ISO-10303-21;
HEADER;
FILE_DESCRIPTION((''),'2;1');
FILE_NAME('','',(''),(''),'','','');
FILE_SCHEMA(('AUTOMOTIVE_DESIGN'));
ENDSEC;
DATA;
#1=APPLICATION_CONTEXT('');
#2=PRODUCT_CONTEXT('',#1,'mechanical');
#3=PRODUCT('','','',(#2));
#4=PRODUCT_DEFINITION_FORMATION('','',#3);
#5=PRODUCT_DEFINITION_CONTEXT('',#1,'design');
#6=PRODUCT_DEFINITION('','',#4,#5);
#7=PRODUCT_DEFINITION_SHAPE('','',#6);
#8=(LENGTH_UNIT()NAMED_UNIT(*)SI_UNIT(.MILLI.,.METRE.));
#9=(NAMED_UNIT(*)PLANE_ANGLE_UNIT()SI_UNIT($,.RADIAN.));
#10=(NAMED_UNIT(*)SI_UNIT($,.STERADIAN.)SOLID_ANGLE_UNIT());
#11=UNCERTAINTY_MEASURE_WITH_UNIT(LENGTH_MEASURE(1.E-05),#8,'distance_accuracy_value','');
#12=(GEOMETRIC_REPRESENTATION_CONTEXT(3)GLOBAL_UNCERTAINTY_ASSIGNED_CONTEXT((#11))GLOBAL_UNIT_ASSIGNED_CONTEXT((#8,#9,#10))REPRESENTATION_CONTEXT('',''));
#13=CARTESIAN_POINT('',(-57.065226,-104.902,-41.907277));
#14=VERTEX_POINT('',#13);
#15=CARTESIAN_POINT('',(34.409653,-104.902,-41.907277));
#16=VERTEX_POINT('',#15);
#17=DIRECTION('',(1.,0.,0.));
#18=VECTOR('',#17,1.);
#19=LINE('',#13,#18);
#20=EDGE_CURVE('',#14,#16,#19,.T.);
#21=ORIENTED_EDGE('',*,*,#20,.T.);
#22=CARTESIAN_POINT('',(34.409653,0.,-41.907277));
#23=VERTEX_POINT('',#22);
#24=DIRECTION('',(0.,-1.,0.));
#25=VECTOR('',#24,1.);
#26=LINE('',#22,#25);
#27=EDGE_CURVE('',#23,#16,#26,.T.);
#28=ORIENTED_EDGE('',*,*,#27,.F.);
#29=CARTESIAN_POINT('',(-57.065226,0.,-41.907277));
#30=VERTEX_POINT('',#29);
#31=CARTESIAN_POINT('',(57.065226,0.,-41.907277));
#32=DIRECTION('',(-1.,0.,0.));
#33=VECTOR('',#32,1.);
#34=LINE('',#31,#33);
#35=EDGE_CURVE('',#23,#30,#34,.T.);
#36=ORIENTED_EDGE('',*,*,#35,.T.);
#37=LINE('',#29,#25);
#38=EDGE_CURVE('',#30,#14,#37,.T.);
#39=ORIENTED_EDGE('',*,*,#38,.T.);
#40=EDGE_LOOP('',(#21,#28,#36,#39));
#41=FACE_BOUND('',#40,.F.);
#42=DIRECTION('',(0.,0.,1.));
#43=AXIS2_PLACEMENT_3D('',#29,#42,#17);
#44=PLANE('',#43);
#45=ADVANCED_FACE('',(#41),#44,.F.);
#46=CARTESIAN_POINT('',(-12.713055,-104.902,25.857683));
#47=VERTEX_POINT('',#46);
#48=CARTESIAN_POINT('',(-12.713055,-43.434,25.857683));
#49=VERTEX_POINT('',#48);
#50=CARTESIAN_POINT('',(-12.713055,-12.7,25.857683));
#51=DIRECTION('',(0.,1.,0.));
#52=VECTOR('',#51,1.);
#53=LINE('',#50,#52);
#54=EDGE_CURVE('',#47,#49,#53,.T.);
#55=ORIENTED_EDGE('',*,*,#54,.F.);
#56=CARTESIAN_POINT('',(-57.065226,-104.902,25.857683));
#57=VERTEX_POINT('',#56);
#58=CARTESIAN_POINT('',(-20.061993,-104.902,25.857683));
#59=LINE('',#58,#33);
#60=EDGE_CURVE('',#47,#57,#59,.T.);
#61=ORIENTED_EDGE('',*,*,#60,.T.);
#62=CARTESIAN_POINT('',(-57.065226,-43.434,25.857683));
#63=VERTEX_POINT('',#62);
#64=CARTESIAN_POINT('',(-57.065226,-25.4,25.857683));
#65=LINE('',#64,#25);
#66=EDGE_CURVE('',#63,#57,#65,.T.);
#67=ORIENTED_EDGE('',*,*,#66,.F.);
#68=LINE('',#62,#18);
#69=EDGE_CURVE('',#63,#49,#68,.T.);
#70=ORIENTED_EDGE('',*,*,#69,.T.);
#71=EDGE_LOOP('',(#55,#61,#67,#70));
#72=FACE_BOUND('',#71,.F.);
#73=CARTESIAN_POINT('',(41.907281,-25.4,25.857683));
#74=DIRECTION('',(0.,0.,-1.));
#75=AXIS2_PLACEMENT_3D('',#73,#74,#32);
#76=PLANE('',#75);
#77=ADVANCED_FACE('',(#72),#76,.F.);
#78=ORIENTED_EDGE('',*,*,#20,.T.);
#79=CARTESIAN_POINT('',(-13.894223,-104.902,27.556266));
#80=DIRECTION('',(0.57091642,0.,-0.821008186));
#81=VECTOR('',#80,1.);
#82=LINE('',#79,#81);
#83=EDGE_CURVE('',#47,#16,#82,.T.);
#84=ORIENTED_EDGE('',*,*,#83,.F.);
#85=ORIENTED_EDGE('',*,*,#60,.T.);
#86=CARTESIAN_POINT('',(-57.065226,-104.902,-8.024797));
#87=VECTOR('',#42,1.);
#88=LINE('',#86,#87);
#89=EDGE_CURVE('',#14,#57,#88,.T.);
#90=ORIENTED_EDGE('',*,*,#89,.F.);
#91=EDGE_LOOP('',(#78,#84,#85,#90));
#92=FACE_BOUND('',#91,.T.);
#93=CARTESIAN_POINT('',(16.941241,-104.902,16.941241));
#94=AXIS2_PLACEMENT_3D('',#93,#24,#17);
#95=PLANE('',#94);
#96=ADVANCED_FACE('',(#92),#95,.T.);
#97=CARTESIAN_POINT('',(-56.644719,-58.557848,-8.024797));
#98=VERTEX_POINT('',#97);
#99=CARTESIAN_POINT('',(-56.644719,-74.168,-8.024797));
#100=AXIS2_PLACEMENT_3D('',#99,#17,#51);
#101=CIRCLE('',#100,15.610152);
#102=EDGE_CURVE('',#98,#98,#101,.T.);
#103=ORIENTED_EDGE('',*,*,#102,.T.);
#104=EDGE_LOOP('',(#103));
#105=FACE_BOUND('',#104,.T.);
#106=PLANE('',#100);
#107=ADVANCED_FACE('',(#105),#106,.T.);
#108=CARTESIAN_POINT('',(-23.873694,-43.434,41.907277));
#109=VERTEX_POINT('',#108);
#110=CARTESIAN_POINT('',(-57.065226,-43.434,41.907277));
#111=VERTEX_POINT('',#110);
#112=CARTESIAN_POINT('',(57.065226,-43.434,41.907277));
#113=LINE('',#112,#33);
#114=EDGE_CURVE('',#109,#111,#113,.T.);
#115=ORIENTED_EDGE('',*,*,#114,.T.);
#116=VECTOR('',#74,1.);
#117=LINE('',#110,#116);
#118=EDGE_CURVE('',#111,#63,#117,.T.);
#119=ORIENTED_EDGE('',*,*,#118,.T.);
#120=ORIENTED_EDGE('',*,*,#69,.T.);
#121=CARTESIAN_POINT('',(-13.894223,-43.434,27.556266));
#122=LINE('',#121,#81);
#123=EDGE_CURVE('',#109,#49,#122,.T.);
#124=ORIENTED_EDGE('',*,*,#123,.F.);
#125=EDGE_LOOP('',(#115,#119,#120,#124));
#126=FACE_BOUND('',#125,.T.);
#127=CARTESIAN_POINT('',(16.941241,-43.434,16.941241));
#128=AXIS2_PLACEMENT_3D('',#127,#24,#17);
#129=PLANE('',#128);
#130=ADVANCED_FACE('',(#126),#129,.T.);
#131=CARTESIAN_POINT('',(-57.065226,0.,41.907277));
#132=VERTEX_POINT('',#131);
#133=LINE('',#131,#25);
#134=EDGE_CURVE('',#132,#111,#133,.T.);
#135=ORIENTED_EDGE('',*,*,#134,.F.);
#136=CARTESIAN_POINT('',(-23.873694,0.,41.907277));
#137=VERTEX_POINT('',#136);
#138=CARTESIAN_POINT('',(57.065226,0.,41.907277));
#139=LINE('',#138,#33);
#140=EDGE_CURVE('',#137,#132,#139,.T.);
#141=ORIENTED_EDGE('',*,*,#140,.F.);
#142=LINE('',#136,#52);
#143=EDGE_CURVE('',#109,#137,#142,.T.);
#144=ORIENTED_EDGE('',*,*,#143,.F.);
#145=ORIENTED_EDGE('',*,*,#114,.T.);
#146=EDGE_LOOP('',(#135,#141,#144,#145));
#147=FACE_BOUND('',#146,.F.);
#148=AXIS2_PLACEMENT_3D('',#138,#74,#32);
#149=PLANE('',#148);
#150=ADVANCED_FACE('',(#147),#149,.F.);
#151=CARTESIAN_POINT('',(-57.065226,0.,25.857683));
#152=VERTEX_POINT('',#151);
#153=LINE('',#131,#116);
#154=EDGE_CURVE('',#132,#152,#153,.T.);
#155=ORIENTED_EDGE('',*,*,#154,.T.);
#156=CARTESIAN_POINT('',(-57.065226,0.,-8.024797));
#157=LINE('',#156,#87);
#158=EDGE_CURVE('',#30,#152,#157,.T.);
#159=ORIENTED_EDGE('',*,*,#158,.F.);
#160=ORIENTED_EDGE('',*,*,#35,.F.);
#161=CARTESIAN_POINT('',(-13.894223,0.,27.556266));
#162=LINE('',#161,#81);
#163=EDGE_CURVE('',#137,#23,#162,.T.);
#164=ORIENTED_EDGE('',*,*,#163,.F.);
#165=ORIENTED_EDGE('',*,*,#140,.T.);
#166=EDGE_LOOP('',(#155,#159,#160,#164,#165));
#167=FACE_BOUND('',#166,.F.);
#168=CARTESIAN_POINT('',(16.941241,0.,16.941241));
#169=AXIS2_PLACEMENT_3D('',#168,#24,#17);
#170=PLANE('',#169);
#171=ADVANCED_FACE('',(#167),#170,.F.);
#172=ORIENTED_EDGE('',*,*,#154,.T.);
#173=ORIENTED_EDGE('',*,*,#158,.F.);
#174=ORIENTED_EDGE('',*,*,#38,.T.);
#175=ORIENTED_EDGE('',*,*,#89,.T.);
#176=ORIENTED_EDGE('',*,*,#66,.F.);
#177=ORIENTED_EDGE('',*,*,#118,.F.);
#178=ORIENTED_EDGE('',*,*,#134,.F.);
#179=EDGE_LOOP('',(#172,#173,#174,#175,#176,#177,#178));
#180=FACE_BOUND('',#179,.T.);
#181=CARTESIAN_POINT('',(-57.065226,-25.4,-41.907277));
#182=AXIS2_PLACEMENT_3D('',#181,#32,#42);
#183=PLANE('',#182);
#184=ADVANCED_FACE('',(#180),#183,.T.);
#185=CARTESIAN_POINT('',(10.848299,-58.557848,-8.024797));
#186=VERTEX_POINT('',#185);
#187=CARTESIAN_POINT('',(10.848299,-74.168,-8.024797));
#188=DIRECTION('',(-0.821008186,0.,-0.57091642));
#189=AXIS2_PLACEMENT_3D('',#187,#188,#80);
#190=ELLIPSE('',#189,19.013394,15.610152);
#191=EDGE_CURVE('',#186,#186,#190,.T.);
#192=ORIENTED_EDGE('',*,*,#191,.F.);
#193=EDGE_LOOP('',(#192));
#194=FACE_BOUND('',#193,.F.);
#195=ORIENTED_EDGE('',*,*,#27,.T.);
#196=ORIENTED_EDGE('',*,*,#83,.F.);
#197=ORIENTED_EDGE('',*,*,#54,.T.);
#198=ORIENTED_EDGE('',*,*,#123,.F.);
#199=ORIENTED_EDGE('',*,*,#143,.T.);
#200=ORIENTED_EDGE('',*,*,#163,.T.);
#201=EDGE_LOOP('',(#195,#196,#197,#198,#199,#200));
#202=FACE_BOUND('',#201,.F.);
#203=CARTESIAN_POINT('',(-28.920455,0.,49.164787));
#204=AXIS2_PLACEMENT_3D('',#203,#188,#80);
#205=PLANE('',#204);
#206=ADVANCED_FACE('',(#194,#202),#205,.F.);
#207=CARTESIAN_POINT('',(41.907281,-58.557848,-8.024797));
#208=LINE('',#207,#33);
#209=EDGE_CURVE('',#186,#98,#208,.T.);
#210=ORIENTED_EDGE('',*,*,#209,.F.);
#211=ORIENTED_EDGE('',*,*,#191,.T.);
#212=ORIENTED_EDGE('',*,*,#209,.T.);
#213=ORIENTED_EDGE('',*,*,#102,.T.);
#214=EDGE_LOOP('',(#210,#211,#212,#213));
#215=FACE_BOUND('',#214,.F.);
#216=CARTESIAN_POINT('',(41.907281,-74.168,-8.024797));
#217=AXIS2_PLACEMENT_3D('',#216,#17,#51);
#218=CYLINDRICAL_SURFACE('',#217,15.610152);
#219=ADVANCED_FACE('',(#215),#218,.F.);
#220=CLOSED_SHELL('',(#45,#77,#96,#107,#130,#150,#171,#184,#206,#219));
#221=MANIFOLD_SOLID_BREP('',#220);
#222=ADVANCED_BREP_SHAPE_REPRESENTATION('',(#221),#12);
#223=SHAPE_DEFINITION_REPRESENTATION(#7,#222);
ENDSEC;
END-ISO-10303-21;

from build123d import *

# Parameters (mm, degrees)
F0_W     = 98.9725068212
F0_H     = 67.7649602294
F1_DEPTH = 25.4
F2_DEPTH = 43.434
F3_DEPTH = 79.502
F4_R     = 15.6101521233
F5_DEPTH = 98.552
F7_DEPTH = 61.468
F9_DEPTH = 113.03


with BuildPart() as f1:
    # F0 (on Front) → F1 (new body)
    with BuildSketch(Plane.XZ):
        Polygon((57.0652261376, 41.9072769582), (-57.0652261376, 41.9072769582), (-57.0652261376, 25.8576832712), (41.9072806835, 25.8576832712), (41.9072806835, -41.9072769582), (57.0652261376, -41.9072769582), align=None)
        with Locations((-7.5789727271, -8.0247968435)):
            Rectangle(F0_W, F0_H)
    extrude(amount=F1_DEPTH)

    # F0 (on Front) → F2 (join)
    with BuildSketch(Plane.XZ):
        Polygon((57.0652261376, 41.9072769582), (-57.0652261376, 41.9072769582), (-57.0652261376, 25.8576832712), (41.9072806835, 25.8576832712), (41.9072806835, -41.9072769582), (57.0652261376, -41.9072769582), align=None)
    extrude(amount=F2_DEPTH)

    # F3 (add): a face of the model
    f3_faces = [f1.faces().sort_by_distance(p)[0] for p in [
        (-7.5789727271, -25.4, -8.0247968435),
    ]]
    extrude(f3_faces, amount=F3_DEPTH)

    # F4 (on face) → F5 (cut)
    with BuildSketch(Plane.YZ.offset(41.9072806835)):
        with Locations((-74.168, -8.0247968435)):
            Circle(F4_R)
    extrude(amount=-F5_DEPTH, mode=Mode.SUBTRACT)

    # F6 (on face) → F7 (cut)
    with BuildSketch(Plane.XZ.offset(104.902)):
        Polygon((-7.5789727271, 25.8576832712), (41.9072806835, -41.9072769582), (41.9072806835, 25.8576832712), align=None)
    extrude(amount=-F7_DEPTH, mode=Mode.SUBTRACT)

    # F8 (on Front) → F9 (cut, symmetric)
    with BuildSketch(Plane.XZ):
        Polygon((40.1673130691, 75.5145400763), (-28.9204549044, 49.1647869349), (43.7020324171, -55.2702136338), (114.3328375611, -6.154642004), align=None)
    extrude(amount=F9_DEPTH, both=True, mode=Mode.SUBTRACT)


solid = f1.part
